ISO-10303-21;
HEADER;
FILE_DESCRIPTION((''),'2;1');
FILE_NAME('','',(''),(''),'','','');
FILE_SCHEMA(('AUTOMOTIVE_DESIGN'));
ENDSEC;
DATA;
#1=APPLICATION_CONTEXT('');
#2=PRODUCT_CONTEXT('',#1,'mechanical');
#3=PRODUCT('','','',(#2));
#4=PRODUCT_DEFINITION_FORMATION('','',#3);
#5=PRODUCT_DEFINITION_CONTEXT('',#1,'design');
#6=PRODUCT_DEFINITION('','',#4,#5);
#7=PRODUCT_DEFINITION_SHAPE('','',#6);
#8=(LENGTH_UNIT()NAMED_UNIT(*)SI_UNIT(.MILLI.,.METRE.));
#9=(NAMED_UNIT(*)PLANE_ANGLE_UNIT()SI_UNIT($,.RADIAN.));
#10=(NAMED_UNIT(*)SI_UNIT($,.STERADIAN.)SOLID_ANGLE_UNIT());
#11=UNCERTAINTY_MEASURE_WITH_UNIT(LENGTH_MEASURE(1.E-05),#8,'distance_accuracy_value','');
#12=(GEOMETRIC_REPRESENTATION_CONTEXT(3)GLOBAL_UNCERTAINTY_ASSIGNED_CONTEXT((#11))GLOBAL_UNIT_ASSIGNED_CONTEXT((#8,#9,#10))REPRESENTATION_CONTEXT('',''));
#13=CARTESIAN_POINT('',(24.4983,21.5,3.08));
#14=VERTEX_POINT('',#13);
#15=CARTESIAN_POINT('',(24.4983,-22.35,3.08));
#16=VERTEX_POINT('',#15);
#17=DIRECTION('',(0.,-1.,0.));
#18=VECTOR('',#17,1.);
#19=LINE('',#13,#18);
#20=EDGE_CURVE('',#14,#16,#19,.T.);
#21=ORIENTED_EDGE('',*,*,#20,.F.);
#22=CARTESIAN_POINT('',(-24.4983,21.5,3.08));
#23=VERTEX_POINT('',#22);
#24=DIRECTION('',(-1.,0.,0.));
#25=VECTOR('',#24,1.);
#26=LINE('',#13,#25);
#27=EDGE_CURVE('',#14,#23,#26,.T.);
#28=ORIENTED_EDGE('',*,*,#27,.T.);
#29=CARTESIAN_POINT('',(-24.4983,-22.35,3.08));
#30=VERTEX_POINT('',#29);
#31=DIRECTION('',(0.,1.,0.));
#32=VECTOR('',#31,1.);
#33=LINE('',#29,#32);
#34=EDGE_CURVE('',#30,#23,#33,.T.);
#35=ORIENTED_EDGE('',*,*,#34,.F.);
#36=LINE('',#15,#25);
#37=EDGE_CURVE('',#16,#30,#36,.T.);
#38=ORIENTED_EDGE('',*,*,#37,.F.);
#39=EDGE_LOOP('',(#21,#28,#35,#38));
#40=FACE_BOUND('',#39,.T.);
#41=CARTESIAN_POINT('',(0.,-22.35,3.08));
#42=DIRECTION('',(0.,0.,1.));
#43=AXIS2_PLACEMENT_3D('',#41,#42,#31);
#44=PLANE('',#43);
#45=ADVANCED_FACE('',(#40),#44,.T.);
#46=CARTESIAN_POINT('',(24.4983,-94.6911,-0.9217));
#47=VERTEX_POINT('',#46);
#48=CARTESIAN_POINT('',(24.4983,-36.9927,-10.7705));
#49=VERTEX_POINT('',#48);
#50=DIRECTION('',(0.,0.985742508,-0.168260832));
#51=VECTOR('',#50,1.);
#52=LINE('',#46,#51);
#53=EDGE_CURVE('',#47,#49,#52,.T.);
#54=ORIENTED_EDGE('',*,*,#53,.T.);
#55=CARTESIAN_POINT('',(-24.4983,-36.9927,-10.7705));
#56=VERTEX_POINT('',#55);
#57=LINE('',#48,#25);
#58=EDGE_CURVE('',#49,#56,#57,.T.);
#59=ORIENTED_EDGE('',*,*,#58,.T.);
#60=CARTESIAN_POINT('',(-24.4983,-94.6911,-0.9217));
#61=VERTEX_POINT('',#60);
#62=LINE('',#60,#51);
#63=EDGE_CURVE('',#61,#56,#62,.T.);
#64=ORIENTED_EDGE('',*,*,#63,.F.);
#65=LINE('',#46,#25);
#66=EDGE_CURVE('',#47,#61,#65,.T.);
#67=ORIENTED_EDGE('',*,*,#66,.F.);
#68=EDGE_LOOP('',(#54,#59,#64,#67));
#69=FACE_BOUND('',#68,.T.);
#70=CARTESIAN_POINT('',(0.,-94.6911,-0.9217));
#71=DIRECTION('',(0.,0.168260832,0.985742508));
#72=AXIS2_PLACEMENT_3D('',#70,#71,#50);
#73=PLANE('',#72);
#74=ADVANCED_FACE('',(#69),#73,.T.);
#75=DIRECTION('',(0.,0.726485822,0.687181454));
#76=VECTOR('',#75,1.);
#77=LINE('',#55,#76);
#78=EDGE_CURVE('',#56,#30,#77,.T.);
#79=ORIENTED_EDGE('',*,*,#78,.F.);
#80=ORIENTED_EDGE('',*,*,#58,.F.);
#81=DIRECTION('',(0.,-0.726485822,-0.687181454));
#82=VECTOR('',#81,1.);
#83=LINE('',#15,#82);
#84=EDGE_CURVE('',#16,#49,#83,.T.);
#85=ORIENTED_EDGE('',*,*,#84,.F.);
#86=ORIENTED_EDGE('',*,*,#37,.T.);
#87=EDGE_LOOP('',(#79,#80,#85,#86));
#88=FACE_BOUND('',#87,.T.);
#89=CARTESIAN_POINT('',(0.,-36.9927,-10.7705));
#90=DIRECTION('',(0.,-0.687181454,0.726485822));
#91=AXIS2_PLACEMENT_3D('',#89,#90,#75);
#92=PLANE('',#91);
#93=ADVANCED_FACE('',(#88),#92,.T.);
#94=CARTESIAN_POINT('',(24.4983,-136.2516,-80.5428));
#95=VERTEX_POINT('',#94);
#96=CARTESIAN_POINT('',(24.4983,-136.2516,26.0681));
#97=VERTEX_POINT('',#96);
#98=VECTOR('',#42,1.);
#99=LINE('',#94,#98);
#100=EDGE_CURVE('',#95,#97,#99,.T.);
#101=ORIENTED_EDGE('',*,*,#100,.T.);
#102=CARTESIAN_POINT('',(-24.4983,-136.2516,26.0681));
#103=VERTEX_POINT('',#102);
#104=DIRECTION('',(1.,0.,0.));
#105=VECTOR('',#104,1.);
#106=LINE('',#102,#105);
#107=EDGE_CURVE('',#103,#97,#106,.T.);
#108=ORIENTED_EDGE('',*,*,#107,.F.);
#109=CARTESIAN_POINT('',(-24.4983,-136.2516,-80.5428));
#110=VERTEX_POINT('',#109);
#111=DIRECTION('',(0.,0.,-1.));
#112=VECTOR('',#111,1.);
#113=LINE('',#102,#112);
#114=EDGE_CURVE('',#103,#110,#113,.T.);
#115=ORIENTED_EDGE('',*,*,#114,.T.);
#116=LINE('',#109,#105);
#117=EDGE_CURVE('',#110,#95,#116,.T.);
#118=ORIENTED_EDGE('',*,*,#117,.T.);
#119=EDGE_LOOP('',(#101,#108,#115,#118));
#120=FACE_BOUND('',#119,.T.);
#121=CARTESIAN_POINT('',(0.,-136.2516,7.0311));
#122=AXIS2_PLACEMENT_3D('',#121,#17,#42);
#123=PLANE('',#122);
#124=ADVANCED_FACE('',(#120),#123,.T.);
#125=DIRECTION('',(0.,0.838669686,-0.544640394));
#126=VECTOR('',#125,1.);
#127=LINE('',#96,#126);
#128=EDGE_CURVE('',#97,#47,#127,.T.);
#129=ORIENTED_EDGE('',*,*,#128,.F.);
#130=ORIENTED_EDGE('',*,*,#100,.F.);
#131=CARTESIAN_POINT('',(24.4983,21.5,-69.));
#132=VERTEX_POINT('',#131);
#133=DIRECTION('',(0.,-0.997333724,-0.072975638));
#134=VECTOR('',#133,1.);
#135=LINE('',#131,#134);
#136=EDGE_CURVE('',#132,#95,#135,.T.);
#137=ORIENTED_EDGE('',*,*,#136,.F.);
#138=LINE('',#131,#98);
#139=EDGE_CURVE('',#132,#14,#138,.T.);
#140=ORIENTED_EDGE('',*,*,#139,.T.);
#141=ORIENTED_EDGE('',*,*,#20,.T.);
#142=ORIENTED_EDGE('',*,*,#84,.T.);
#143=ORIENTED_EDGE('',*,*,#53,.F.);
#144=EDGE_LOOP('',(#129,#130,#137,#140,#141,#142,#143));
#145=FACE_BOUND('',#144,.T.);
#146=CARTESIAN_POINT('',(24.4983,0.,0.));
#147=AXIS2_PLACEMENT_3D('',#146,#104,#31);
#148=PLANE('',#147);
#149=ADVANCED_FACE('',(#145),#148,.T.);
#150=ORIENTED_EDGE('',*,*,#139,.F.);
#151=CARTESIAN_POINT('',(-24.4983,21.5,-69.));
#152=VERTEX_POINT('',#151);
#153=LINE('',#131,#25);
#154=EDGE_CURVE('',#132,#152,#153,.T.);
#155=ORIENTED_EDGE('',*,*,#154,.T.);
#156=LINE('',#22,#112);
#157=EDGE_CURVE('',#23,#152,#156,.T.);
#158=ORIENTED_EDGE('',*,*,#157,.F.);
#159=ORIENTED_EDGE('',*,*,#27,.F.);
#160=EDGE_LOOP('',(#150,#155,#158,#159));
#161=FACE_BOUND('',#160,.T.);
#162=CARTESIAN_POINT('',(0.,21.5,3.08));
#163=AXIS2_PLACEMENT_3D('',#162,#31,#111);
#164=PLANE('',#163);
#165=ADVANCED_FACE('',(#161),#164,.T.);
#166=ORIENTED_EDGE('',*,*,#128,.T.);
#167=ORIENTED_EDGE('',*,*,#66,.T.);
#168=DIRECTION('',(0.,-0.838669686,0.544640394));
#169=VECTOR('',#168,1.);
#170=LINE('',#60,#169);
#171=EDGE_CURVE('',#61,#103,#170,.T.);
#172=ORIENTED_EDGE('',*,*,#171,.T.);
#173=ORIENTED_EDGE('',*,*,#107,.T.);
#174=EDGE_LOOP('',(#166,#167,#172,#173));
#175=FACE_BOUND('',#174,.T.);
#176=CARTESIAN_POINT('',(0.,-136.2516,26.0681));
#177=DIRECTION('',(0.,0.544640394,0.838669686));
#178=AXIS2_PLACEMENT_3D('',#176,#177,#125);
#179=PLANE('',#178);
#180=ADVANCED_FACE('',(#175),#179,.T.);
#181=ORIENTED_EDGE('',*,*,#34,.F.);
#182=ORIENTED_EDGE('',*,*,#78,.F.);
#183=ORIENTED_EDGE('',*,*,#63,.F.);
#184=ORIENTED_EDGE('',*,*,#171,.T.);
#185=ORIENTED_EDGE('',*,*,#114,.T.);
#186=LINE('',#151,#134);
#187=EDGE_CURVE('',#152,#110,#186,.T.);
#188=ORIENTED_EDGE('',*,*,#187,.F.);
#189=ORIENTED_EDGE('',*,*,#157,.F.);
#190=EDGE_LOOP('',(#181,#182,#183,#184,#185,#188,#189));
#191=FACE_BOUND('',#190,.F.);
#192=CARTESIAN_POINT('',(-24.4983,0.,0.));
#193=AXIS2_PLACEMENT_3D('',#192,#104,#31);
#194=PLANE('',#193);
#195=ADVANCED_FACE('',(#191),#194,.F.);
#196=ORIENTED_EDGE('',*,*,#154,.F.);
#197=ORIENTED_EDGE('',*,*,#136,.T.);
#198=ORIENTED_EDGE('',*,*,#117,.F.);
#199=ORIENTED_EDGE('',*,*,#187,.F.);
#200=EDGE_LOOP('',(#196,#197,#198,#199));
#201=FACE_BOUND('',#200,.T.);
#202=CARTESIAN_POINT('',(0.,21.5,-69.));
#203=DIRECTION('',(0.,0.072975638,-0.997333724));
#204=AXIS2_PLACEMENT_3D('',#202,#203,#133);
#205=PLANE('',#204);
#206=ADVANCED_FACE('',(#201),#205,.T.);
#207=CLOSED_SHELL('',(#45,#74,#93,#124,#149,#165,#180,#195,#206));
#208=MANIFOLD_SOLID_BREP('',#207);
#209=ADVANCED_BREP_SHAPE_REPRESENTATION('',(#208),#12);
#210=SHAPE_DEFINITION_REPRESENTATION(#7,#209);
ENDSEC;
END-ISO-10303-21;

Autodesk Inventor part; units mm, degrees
ref_plane "XZ Plane" through (0, 0, 0) normal (0, 1, 0) x (-1, 0, 0)
sketch "Sketch1" plane through (0, 0, 0) normal (1, 0, 0) x (0, 1, 0)
  line L0 (-136.2516, 26.0681) -> (-94.6911, -0.9217)
  line L1 (-94.6911, -0.9217) -> (-36.9927, -10.7705)
  line L2 (-36.9927, -10.7705) -> (-22.35, 3.08)
  line L3 (-22.35, 3.08) -> (21.5, 3.08)
  line L4 (21.5, 3.08) -> (21.5, -69)
  line L5 (21.5, -69) -> (-136.2516, -80.5428)
  line L6 (-136.2516, -80.5428) -> (-136.2516, 26.0681)
  line L7 (-20.328, 3.08) -> (15.75, 3.08)
  line L8 (21.5, 2) -> (21.5, -10)
  line L9 (-36.9927, -10.7705) -> (-23.8189, 1.6905)
  line L10 (-136.2516, -70.0311) -> (-136.2516, 7.0311)
  line L11 (-120.3625, 15.7495) -> (-94.6911, -0.9217)
  point P0 (0, 0)
  point P1 (-136.2516, 7.0311)
  dimension "d0" = 46.592
  dimension "d1" = 94.185
  dimension "d2" = 99.687
  dimension "d3" = 57
  dimension "d4" = 157.7516
  dimension "d5" = 21.5
  dimension "d6" = 3.08
  dimension "d7" = 17.5961
  dimension "d8" = 70.385
  dimension "d9" = 16.8414
  dimension "d10" = 52.3454
  dimension "d11" = 1.08
  dimension "d12" = 13.08
  dimension "d13" = 5.75
  dimension "d14" = 41.828
  dimension "d15" = 45.3189
  dimension "d16" = 141.8624
  dimension "d17" = 3.9511
  dimension "d18" = 73.1111
extrude "Extrusion1" add sketch "Sketch1" along normal mid plane 48.9966
properties part number "BaseBoundingBox"
